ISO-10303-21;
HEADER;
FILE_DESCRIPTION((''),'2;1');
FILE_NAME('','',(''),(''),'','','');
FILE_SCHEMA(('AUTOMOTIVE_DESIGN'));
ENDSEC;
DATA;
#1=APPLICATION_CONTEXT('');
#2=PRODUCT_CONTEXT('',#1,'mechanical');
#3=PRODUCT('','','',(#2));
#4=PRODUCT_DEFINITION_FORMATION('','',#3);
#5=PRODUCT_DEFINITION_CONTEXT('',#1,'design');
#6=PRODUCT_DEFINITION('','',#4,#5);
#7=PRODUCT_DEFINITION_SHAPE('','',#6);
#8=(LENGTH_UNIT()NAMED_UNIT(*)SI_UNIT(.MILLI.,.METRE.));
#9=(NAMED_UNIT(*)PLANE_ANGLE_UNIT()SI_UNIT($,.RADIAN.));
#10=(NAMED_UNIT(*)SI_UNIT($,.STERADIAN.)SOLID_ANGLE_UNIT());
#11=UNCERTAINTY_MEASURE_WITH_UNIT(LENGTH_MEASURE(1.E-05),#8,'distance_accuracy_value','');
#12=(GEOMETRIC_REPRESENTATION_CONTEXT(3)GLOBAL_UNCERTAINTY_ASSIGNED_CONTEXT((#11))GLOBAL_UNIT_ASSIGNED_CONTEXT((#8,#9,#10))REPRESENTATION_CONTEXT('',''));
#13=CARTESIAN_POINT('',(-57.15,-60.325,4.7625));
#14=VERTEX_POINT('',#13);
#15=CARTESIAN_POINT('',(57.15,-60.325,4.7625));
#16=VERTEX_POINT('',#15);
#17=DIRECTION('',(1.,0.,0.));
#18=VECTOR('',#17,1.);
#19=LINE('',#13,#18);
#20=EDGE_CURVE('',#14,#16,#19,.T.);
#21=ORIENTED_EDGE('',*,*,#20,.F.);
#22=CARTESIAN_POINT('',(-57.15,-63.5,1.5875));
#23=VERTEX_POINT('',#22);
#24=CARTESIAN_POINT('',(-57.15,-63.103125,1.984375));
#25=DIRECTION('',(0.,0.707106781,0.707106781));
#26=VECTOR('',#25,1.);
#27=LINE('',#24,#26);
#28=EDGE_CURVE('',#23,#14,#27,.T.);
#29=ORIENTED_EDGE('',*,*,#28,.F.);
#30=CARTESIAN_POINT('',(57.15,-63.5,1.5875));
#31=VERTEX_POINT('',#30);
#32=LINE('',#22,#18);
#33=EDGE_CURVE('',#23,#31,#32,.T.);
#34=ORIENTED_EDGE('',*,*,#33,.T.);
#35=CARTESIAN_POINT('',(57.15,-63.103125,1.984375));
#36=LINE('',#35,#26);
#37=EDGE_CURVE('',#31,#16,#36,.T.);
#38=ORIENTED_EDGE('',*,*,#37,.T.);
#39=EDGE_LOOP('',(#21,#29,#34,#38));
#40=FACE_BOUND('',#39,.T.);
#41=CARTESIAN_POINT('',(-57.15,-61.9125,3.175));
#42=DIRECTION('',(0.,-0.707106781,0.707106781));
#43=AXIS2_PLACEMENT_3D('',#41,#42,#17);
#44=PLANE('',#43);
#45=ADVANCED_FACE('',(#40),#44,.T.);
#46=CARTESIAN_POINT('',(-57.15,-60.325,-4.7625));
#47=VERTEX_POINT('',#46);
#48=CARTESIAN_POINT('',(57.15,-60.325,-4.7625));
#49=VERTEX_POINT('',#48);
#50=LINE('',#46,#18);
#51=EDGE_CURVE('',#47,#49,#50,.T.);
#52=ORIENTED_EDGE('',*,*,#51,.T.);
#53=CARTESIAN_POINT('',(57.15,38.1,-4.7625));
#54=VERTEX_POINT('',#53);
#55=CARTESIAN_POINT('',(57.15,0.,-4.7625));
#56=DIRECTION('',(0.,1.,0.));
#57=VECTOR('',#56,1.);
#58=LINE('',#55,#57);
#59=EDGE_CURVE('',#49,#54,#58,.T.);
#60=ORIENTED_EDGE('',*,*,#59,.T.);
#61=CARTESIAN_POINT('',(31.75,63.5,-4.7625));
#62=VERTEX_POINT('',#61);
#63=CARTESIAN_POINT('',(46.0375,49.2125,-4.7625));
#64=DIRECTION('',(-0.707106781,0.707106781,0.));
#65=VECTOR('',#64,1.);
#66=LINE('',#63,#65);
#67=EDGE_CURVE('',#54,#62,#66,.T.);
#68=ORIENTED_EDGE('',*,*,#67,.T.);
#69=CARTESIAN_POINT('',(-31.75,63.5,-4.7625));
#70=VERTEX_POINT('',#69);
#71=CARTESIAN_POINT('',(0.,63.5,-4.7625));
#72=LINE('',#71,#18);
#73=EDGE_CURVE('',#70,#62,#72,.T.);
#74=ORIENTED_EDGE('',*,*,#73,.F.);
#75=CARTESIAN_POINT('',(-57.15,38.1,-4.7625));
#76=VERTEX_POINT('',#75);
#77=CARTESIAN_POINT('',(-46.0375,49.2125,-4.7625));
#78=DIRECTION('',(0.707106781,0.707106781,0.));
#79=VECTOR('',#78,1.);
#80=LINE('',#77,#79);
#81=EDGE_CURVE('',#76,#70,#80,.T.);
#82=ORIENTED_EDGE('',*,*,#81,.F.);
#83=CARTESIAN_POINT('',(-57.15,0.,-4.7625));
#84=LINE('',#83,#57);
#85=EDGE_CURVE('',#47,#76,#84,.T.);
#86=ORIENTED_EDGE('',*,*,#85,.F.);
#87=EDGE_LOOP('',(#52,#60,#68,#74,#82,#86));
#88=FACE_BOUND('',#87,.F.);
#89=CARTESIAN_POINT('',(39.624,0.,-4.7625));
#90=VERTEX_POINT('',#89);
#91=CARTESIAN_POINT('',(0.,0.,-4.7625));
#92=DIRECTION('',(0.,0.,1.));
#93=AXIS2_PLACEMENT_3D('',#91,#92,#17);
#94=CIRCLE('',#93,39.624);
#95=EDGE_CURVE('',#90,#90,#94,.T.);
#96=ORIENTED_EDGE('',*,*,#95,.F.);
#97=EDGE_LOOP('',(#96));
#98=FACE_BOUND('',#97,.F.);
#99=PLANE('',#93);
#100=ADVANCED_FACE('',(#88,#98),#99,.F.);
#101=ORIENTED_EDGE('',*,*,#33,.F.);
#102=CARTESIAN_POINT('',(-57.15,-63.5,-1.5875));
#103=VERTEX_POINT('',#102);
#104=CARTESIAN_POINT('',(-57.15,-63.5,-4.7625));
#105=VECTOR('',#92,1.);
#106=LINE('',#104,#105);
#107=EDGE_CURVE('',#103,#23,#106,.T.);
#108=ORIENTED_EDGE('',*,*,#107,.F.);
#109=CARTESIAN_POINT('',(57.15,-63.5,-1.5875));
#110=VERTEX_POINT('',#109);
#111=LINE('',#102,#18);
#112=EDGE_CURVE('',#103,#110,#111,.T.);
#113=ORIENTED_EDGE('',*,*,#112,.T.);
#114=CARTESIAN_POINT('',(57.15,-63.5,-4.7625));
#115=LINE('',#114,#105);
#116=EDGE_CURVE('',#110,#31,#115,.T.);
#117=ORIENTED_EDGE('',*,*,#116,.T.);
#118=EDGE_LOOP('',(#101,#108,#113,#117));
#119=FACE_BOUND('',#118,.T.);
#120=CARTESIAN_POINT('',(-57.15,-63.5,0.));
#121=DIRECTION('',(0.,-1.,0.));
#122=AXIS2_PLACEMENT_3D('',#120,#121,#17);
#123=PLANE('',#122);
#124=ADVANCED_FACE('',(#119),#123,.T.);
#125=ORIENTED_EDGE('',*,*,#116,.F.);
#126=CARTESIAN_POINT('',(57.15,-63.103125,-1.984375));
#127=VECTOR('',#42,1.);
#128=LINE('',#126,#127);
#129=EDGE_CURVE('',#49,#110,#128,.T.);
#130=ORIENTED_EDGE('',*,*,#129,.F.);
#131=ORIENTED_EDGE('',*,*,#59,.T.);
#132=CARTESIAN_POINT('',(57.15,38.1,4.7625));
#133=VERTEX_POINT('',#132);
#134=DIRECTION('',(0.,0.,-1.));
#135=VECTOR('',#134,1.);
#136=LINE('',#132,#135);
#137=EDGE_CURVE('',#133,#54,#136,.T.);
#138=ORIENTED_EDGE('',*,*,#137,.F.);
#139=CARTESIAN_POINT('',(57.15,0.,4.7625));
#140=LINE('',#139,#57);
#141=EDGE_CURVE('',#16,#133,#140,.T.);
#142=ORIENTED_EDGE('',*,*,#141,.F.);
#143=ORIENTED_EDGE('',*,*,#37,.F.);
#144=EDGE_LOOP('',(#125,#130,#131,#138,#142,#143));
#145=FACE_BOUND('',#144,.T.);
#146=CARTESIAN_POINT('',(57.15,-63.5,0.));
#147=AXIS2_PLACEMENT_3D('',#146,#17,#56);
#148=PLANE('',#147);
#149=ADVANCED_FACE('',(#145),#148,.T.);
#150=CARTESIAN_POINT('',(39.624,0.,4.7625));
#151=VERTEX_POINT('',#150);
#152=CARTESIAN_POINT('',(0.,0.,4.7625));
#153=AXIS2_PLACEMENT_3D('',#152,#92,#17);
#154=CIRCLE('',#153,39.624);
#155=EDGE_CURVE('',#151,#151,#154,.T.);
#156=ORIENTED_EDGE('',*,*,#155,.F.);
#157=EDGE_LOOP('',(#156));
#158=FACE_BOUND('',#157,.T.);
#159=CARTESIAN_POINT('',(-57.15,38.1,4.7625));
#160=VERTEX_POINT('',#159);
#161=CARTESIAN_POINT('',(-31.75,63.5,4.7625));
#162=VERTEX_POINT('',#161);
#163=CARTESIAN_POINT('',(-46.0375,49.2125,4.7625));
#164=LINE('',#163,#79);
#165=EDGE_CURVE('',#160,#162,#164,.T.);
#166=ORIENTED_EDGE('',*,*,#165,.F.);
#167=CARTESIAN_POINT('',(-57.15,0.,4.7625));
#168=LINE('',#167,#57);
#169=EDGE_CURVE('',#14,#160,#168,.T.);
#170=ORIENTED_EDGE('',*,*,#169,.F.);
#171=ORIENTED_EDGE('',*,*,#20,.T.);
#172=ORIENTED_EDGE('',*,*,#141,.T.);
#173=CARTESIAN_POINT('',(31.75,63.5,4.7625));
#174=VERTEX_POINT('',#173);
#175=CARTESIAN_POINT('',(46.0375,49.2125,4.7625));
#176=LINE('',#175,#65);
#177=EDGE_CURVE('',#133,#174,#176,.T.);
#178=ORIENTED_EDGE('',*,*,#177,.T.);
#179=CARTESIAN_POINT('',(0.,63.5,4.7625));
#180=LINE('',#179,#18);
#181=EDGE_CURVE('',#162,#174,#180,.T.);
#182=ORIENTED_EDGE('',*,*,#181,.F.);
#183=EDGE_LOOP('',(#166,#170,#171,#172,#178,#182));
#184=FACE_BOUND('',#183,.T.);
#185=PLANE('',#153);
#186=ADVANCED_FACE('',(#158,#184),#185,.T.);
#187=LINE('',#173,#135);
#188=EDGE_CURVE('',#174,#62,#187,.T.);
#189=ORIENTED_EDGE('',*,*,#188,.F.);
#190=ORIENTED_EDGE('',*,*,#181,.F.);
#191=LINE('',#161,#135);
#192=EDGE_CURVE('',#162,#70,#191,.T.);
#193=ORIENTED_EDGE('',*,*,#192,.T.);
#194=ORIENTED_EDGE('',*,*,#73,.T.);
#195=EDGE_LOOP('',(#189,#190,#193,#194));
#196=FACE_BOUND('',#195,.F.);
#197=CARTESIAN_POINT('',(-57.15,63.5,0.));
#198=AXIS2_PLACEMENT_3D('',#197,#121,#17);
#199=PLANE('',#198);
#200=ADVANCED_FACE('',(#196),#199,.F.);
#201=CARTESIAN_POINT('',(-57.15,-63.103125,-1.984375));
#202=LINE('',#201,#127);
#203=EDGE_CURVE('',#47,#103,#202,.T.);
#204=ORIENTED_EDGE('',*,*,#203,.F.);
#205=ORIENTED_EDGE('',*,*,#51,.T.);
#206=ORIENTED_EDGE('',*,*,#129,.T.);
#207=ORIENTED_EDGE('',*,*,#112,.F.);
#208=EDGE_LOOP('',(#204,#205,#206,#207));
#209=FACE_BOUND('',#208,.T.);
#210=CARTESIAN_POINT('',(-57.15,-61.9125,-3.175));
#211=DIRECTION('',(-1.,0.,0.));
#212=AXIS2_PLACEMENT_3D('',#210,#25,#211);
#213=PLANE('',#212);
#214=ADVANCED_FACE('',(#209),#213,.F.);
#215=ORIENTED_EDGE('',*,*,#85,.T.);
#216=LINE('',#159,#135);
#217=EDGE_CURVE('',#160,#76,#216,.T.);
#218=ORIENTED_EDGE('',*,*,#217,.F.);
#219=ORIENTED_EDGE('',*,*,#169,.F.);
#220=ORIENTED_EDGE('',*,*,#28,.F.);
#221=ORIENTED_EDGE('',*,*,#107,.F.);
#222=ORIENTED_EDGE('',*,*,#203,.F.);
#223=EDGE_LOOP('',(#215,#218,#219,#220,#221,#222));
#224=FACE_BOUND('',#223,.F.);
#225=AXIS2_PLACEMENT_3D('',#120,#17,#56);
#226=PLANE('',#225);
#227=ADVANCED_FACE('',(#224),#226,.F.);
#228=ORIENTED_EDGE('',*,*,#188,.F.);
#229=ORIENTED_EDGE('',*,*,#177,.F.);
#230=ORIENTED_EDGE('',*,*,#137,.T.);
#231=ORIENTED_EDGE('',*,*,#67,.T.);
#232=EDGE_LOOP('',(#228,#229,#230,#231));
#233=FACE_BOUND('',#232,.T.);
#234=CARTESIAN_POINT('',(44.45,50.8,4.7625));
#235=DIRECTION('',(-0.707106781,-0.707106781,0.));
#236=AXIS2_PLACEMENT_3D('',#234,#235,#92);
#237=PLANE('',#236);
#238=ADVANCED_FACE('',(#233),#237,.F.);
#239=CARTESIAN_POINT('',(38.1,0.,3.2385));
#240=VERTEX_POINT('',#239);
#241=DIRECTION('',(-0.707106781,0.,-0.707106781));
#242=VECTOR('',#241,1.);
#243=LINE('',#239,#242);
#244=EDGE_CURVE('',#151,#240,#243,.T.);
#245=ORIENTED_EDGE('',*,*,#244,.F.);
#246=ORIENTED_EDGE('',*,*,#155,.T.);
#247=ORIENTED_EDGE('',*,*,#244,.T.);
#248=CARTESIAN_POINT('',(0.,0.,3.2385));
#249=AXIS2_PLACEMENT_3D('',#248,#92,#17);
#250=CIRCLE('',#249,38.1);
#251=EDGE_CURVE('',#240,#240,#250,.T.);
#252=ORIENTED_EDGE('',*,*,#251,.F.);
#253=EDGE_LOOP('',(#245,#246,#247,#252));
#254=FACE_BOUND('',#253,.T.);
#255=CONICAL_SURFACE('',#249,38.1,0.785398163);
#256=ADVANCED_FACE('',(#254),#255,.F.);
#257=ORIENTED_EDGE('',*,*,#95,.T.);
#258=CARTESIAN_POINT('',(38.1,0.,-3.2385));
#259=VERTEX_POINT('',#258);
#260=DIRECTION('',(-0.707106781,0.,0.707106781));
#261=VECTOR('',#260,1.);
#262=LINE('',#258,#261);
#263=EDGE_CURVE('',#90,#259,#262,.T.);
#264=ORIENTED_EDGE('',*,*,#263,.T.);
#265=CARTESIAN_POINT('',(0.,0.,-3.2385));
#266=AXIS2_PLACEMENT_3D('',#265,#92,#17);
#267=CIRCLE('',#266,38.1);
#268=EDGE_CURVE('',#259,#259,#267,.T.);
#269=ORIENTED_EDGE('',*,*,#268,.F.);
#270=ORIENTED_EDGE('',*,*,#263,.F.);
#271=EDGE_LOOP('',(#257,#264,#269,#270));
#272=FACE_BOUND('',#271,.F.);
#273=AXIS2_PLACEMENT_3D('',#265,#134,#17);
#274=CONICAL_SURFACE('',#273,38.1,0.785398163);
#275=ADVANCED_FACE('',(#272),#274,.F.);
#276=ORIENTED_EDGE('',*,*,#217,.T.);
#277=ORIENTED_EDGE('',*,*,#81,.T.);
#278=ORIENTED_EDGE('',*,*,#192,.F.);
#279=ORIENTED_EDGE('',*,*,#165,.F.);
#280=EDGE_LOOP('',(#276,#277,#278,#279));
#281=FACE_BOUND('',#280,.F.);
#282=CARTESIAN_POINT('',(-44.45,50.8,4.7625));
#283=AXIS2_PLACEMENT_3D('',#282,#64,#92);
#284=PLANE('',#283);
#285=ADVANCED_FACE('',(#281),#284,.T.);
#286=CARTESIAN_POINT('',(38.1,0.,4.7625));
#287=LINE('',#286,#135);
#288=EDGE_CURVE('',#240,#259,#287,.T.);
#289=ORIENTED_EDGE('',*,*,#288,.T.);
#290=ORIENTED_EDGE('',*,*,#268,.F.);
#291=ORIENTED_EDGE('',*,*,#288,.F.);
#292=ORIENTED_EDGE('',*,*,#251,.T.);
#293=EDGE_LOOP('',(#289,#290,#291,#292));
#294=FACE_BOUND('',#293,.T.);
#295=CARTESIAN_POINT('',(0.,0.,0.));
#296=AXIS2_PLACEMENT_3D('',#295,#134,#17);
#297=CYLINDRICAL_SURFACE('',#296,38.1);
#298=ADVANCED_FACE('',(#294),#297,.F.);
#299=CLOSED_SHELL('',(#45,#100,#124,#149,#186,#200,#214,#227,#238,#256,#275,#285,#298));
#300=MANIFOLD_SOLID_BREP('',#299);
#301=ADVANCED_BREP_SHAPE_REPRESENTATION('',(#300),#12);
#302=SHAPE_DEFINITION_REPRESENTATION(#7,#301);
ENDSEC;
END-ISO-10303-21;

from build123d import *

# Parameters (mm, degrees)
F0_W     = 114.3
F0_H     = 127
F0_R     = 38.1
F1_DEPTH = 4.7625
F2_SIZE  = 25.4
F3_SIZE  = 1.524
F4_SIZE  = 3.175


with BuildPart() as f1:
    # F0 (on Top) → F1 (new body, symmetric)
    with BuildSketch(Plane.XY):
        Rectangle(F0_W, F0_H)
        Circle(F0_R, mode=Mode.SUBTRACT)
    extrude(amount=F1_DEPTH, both=True)

    # F2
    f2_edges = [f1.edges().sort_by_distance(p)[0] for p in [
        (57.15, 63.5, 0),
        (-57.15, 63.5, 0),
    ]]
    chamfer(f2_edges, length=F2_SIZE)

    # F3
    f3_edges = [f1.edges().sort_by_distance(p)[0] for p in [
        (-38.1, 0, 4.7625),
        (-38.1, 0, -4.7625),
    ]]
    chamfer(f3_edges, length=F3_SIZE)

    # F4
    f4_edges = [f1.edges().sort_by_distance(p)[0] for p in [
        (0, -63.5, 4.7625),
        (0, -63.5, -4.7625),
    ]]
    chamfer(f4_edges, length=F4_SIZE)


solid = f1.part
